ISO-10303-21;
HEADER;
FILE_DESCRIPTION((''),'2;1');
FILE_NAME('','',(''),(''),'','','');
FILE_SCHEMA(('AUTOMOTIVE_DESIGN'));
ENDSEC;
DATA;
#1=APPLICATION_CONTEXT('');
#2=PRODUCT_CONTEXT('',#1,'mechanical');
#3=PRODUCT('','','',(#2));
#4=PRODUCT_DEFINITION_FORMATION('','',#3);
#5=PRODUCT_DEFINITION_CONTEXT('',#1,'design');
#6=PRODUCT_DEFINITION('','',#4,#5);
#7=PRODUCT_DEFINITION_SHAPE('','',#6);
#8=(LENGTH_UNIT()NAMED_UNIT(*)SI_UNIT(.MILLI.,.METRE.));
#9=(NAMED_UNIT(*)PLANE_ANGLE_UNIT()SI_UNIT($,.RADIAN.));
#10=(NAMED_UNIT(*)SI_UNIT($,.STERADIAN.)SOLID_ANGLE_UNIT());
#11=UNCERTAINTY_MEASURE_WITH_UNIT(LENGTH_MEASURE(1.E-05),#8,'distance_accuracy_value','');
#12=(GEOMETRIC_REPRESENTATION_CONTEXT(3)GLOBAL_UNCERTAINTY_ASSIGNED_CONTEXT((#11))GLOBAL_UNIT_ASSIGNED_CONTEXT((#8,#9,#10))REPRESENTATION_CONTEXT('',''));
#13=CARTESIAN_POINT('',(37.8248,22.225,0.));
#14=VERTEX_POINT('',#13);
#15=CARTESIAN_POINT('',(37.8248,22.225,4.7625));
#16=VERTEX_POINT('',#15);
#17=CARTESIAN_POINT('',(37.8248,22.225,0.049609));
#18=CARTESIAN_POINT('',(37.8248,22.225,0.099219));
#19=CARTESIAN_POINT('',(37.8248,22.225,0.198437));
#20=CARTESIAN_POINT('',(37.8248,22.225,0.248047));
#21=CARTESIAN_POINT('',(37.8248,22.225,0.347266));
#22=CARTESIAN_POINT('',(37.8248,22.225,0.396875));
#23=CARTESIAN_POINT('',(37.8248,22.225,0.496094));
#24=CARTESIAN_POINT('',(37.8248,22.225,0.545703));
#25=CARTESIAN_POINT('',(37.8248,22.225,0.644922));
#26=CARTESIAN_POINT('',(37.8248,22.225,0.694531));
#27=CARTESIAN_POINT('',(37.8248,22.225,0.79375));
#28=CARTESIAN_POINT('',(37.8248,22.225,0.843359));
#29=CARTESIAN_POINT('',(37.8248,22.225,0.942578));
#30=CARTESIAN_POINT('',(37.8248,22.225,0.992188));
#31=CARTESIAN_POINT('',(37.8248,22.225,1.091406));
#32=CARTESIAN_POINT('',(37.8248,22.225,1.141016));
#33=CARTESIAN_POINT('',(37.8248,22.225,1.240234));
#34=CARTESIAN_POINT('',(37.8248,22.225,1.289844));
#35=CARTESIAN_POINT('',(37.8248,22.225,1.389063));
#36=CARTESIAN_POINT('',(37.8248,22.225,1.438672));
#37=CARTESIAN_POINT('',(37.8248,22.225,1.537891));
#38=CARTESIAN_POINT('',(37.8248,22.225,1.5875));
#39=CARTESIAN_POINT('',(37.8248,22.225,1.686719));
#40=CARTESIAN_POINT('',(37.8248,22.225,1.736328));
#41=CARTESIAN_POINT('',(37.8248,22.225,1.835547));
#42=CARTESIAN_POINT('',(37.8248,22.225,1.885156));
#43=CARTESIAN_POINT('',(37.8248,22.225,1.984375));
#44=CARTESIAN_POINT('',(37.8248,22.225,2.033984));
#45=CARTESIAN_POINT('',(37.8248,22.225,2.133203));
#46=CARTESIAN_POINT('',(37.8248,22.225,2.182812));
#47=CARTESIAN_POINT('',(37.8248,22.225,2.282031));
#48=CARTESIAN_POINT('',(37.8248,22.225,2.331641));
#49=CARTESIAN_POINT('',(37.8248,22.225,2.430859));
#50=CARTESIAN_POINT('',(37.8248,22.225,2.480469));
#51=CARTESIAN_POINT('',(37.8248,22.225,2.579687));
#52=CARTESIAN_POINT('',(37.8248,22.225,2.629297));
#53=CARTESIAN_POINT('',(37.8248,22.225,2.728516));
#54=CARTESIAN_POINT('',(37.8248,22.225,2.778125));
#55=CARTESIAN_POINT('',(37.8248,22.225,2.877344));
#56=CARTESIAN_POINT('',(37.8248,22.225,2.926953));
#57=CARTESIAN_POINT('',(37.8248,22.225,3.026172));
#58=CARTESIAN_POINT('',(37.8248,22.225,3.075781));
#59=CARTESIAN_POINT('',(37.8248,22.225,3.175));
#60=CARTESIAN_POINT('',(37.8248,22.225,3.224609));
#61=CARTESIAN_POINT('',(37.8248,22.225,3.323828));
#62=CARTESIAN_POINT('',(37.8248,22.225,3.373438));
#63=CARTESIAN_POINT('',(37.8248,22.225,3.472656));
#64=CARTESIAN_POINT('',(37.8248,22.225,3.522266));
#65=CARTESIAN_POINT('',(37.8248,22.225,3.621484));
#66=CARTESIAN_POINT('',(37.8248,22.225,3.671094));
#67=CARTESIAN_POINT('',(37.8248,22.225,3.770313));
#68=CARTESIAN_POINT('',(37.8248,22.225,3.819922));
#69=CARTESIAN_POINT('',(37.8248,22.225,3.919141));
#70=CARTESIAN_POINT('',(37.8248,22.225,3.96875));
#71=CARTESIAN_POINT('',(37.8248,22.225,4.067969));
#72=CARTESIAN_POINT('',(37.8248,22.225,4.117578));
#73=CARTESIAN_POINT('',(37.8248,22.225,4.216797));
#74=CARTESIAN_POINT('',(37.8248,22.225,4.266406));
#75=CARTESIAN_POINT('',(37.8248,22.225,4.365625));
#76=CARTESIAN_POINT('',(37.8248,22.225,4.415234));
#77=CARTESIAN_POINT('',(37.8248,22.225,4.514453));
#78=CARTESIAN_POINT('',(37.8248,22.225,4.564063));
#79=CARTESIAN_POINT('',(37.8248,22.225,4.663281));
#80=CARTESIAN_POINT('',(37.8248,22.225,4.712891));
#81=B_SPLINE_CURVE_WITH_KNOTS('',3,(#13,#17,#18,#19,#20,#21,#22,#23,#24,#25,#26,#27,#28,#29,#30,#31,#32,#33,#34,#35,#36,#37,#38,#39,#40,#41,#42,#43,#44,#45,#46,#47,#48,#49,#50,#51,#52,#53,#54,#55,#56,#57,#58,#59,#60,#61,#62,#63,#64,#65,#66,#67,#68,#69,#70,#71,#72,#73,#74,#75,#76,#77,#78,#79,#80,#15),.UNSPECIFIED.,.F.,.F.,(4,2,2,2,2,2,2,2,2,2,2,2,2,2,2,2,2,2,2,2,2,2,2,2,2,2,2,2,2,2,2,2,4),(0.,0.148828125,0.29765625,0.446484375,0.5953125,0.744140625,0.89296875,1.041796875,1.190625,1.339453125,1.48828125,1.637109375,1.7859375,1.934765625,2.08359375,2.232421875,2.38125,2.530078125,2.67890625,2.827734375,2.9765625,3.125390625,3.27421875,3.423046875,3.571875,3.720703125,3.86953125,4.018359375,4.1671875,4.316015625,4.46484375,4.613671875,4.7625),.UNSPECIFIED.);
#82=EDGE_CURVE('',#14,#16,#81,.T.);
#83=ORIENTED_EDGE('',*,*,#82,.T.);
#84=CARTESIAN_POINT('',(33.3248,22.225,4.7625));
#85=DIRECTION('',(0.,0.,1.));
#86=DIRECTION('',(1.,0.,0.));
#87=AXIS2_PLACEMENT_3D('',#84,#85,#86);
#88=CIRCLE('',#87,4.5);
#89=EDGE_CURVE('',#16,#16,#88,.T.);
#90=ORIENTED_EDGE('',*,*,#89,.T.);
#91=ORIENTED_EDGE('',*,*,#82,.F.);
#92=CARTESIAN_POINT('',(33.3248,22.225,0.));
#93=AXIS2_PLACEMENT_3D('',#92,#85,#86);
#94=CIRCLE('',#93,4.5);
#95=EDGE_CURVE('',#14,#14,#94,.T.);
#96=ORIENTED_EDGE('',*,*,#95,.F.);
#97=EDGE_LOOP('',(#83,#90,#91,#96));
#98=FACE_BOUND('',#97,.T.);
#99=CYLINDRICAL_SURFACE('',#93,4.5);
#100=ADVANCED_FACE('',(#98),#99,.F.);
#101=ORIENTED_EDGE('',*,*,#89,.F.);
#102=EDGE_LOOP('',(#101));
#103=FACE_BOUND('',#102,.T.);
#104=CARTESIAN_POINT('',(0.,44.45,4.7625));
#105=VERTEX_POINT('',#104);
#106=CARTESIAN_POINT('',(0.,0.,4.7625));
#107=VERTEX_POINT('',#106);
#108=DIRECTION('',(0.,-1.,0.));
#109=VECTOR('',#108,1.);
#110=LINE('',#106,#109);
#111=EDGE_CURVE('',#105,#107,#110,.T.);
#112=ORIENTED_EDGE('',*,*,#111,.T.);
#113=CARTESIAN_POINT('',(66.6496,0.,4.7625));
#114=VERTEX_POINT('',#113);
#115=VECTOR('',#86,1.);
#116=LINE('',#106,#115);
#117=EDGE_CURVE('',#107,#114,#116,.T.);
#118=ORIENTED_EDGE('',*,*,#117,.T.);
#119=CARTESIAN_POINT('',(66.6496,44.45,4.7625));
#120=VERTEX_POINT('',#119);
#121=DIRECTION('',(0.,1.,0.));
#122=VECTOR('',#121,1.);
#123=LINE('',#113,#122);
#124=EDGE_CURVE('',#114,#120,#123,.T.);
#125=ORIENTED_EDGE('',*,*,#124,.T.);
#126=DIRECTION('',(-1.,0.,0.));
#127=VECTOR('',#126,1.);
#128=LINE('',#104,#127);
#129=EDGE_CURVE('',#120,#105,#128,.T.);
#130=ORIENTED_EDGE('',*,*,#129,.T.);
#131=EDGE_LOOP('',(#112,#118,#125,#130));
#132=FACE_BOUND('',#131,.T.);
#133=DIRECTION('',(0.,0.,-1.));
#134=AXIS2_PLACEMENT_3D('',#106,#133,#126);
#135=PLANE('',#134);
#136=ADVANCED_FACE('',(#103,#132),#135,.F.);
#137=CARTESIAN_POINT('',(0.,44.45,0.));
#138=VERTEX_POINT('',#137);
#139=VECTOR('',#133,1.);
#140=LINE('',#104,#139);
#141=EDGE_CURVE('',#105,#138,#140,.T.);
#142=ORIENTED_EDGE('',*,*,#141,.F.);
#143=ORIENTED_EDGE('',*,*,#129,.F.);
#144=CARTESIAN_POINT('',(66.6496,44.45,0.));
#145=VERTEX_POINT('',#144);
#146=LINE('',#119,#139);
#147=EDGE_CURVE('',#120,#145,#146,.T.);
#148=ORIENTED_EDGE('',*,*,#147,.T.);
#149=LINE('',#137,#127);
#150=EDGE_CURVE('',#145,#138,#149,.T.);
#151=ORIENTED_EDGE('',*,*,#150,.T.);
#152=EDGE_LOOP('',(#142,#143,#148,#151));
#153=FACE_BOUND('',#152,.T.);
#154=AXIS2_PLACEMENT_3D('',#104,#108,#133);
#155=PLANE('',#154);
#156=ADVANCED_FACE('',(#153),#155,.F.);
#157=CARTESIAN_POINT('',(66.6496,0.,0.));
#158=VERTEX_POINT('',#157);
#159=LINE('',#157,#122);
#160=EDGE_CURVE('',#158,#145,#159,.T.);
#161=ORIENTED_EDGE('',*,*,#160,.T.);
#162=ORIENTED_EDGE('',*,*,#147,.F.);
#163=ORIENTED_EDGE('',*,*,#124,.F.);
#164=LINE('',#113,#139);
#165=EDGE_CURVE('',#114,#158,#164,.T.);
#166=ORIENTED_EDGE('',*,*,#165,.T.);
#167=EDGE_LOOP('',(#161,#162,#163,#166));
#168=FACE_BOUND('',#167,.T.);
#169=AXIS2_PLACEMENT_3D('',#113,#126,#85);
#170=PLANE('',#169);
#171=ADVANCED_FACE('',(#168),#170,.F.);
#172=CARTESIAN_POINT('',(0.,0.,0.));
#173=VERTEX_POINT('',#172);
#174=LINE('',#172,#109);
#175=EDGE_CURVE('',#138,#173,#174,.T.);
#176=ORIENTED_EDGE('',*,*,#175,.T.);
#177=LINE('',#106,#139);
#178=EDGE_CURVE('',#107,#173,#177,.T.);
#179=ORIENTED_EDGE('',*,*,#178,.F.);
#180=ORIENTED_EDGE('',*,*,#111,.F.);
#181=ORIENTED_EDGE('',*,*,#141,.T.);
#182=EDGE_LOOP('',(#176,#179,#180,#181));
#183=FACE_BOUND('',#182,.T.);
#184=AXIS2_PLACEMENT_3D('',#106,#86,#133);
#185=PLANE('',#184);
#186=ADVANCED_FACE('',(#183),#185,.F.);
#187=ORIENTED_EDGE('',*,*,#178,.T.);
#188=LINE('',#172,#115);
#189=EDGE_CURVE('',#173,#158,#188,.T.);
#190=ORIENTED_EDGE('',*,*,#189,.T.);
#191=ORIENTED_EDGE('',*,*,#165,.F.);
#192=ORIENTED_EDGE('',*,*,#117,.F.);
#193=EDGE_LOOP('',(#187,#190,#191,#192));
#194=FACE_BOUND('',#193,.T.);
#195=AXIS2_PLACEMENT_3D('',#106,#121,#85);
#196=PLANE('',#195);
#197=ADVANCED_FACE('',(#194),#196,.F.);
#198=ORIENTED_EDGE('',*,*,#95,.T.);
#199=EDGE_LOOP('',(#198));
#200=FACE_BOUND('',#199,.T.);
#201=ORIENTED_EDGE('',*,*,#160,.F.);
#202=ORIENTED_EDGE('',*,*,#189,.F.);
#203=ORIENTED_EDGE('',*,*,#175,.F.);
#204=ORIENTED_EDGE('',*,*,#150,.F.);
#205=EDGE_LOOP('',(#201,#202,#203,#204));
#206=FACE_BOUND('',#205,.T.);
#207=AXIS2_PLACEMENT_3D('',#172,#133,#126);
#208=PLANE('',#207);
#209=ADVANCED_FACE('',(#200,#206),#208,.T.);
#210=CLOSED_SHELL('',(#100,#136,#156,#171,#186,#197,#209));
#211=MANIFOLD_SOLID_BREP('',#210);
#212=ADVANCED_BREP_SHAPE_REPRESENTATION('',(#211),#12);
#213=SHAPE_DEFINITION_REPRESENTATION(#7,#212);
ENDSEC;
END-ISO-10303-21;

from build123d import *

# Parameters (mm, degrees)
SKETCH1_W           = 66.6496
SKETCH1_H           = 44.45
BOSS_EXTRUDE1_DEPTH = 4.7625
SKETCH2_R           = 4.5
CUT_EXTRUDE1_DEPTH  = 81.253679582


with BuildPart() as part:
    # Sketch1 → Boss-Extrude1 (new body)
    with BuildSketch(Plane.XY):
        with Locations((33.3248, 22.225)):
            Rectangle(SKETCH1_W, SKETCH1_H)
    extrude(amount=BOSS_EXTRUDE1_DEPTH)

    # Sketch2 → Cut-Extrude1 (cut, through all)
    with BuildSketch(Plane.XY.offset(4.7625)):
        with Locations((33.3248, 22.225)):
            Circle(SKETCH2_R)
    extrude(amount=-CUT_EXTRUDE1_DEPTH, mode=Mode.SUBTRACT)


solid = part.part
